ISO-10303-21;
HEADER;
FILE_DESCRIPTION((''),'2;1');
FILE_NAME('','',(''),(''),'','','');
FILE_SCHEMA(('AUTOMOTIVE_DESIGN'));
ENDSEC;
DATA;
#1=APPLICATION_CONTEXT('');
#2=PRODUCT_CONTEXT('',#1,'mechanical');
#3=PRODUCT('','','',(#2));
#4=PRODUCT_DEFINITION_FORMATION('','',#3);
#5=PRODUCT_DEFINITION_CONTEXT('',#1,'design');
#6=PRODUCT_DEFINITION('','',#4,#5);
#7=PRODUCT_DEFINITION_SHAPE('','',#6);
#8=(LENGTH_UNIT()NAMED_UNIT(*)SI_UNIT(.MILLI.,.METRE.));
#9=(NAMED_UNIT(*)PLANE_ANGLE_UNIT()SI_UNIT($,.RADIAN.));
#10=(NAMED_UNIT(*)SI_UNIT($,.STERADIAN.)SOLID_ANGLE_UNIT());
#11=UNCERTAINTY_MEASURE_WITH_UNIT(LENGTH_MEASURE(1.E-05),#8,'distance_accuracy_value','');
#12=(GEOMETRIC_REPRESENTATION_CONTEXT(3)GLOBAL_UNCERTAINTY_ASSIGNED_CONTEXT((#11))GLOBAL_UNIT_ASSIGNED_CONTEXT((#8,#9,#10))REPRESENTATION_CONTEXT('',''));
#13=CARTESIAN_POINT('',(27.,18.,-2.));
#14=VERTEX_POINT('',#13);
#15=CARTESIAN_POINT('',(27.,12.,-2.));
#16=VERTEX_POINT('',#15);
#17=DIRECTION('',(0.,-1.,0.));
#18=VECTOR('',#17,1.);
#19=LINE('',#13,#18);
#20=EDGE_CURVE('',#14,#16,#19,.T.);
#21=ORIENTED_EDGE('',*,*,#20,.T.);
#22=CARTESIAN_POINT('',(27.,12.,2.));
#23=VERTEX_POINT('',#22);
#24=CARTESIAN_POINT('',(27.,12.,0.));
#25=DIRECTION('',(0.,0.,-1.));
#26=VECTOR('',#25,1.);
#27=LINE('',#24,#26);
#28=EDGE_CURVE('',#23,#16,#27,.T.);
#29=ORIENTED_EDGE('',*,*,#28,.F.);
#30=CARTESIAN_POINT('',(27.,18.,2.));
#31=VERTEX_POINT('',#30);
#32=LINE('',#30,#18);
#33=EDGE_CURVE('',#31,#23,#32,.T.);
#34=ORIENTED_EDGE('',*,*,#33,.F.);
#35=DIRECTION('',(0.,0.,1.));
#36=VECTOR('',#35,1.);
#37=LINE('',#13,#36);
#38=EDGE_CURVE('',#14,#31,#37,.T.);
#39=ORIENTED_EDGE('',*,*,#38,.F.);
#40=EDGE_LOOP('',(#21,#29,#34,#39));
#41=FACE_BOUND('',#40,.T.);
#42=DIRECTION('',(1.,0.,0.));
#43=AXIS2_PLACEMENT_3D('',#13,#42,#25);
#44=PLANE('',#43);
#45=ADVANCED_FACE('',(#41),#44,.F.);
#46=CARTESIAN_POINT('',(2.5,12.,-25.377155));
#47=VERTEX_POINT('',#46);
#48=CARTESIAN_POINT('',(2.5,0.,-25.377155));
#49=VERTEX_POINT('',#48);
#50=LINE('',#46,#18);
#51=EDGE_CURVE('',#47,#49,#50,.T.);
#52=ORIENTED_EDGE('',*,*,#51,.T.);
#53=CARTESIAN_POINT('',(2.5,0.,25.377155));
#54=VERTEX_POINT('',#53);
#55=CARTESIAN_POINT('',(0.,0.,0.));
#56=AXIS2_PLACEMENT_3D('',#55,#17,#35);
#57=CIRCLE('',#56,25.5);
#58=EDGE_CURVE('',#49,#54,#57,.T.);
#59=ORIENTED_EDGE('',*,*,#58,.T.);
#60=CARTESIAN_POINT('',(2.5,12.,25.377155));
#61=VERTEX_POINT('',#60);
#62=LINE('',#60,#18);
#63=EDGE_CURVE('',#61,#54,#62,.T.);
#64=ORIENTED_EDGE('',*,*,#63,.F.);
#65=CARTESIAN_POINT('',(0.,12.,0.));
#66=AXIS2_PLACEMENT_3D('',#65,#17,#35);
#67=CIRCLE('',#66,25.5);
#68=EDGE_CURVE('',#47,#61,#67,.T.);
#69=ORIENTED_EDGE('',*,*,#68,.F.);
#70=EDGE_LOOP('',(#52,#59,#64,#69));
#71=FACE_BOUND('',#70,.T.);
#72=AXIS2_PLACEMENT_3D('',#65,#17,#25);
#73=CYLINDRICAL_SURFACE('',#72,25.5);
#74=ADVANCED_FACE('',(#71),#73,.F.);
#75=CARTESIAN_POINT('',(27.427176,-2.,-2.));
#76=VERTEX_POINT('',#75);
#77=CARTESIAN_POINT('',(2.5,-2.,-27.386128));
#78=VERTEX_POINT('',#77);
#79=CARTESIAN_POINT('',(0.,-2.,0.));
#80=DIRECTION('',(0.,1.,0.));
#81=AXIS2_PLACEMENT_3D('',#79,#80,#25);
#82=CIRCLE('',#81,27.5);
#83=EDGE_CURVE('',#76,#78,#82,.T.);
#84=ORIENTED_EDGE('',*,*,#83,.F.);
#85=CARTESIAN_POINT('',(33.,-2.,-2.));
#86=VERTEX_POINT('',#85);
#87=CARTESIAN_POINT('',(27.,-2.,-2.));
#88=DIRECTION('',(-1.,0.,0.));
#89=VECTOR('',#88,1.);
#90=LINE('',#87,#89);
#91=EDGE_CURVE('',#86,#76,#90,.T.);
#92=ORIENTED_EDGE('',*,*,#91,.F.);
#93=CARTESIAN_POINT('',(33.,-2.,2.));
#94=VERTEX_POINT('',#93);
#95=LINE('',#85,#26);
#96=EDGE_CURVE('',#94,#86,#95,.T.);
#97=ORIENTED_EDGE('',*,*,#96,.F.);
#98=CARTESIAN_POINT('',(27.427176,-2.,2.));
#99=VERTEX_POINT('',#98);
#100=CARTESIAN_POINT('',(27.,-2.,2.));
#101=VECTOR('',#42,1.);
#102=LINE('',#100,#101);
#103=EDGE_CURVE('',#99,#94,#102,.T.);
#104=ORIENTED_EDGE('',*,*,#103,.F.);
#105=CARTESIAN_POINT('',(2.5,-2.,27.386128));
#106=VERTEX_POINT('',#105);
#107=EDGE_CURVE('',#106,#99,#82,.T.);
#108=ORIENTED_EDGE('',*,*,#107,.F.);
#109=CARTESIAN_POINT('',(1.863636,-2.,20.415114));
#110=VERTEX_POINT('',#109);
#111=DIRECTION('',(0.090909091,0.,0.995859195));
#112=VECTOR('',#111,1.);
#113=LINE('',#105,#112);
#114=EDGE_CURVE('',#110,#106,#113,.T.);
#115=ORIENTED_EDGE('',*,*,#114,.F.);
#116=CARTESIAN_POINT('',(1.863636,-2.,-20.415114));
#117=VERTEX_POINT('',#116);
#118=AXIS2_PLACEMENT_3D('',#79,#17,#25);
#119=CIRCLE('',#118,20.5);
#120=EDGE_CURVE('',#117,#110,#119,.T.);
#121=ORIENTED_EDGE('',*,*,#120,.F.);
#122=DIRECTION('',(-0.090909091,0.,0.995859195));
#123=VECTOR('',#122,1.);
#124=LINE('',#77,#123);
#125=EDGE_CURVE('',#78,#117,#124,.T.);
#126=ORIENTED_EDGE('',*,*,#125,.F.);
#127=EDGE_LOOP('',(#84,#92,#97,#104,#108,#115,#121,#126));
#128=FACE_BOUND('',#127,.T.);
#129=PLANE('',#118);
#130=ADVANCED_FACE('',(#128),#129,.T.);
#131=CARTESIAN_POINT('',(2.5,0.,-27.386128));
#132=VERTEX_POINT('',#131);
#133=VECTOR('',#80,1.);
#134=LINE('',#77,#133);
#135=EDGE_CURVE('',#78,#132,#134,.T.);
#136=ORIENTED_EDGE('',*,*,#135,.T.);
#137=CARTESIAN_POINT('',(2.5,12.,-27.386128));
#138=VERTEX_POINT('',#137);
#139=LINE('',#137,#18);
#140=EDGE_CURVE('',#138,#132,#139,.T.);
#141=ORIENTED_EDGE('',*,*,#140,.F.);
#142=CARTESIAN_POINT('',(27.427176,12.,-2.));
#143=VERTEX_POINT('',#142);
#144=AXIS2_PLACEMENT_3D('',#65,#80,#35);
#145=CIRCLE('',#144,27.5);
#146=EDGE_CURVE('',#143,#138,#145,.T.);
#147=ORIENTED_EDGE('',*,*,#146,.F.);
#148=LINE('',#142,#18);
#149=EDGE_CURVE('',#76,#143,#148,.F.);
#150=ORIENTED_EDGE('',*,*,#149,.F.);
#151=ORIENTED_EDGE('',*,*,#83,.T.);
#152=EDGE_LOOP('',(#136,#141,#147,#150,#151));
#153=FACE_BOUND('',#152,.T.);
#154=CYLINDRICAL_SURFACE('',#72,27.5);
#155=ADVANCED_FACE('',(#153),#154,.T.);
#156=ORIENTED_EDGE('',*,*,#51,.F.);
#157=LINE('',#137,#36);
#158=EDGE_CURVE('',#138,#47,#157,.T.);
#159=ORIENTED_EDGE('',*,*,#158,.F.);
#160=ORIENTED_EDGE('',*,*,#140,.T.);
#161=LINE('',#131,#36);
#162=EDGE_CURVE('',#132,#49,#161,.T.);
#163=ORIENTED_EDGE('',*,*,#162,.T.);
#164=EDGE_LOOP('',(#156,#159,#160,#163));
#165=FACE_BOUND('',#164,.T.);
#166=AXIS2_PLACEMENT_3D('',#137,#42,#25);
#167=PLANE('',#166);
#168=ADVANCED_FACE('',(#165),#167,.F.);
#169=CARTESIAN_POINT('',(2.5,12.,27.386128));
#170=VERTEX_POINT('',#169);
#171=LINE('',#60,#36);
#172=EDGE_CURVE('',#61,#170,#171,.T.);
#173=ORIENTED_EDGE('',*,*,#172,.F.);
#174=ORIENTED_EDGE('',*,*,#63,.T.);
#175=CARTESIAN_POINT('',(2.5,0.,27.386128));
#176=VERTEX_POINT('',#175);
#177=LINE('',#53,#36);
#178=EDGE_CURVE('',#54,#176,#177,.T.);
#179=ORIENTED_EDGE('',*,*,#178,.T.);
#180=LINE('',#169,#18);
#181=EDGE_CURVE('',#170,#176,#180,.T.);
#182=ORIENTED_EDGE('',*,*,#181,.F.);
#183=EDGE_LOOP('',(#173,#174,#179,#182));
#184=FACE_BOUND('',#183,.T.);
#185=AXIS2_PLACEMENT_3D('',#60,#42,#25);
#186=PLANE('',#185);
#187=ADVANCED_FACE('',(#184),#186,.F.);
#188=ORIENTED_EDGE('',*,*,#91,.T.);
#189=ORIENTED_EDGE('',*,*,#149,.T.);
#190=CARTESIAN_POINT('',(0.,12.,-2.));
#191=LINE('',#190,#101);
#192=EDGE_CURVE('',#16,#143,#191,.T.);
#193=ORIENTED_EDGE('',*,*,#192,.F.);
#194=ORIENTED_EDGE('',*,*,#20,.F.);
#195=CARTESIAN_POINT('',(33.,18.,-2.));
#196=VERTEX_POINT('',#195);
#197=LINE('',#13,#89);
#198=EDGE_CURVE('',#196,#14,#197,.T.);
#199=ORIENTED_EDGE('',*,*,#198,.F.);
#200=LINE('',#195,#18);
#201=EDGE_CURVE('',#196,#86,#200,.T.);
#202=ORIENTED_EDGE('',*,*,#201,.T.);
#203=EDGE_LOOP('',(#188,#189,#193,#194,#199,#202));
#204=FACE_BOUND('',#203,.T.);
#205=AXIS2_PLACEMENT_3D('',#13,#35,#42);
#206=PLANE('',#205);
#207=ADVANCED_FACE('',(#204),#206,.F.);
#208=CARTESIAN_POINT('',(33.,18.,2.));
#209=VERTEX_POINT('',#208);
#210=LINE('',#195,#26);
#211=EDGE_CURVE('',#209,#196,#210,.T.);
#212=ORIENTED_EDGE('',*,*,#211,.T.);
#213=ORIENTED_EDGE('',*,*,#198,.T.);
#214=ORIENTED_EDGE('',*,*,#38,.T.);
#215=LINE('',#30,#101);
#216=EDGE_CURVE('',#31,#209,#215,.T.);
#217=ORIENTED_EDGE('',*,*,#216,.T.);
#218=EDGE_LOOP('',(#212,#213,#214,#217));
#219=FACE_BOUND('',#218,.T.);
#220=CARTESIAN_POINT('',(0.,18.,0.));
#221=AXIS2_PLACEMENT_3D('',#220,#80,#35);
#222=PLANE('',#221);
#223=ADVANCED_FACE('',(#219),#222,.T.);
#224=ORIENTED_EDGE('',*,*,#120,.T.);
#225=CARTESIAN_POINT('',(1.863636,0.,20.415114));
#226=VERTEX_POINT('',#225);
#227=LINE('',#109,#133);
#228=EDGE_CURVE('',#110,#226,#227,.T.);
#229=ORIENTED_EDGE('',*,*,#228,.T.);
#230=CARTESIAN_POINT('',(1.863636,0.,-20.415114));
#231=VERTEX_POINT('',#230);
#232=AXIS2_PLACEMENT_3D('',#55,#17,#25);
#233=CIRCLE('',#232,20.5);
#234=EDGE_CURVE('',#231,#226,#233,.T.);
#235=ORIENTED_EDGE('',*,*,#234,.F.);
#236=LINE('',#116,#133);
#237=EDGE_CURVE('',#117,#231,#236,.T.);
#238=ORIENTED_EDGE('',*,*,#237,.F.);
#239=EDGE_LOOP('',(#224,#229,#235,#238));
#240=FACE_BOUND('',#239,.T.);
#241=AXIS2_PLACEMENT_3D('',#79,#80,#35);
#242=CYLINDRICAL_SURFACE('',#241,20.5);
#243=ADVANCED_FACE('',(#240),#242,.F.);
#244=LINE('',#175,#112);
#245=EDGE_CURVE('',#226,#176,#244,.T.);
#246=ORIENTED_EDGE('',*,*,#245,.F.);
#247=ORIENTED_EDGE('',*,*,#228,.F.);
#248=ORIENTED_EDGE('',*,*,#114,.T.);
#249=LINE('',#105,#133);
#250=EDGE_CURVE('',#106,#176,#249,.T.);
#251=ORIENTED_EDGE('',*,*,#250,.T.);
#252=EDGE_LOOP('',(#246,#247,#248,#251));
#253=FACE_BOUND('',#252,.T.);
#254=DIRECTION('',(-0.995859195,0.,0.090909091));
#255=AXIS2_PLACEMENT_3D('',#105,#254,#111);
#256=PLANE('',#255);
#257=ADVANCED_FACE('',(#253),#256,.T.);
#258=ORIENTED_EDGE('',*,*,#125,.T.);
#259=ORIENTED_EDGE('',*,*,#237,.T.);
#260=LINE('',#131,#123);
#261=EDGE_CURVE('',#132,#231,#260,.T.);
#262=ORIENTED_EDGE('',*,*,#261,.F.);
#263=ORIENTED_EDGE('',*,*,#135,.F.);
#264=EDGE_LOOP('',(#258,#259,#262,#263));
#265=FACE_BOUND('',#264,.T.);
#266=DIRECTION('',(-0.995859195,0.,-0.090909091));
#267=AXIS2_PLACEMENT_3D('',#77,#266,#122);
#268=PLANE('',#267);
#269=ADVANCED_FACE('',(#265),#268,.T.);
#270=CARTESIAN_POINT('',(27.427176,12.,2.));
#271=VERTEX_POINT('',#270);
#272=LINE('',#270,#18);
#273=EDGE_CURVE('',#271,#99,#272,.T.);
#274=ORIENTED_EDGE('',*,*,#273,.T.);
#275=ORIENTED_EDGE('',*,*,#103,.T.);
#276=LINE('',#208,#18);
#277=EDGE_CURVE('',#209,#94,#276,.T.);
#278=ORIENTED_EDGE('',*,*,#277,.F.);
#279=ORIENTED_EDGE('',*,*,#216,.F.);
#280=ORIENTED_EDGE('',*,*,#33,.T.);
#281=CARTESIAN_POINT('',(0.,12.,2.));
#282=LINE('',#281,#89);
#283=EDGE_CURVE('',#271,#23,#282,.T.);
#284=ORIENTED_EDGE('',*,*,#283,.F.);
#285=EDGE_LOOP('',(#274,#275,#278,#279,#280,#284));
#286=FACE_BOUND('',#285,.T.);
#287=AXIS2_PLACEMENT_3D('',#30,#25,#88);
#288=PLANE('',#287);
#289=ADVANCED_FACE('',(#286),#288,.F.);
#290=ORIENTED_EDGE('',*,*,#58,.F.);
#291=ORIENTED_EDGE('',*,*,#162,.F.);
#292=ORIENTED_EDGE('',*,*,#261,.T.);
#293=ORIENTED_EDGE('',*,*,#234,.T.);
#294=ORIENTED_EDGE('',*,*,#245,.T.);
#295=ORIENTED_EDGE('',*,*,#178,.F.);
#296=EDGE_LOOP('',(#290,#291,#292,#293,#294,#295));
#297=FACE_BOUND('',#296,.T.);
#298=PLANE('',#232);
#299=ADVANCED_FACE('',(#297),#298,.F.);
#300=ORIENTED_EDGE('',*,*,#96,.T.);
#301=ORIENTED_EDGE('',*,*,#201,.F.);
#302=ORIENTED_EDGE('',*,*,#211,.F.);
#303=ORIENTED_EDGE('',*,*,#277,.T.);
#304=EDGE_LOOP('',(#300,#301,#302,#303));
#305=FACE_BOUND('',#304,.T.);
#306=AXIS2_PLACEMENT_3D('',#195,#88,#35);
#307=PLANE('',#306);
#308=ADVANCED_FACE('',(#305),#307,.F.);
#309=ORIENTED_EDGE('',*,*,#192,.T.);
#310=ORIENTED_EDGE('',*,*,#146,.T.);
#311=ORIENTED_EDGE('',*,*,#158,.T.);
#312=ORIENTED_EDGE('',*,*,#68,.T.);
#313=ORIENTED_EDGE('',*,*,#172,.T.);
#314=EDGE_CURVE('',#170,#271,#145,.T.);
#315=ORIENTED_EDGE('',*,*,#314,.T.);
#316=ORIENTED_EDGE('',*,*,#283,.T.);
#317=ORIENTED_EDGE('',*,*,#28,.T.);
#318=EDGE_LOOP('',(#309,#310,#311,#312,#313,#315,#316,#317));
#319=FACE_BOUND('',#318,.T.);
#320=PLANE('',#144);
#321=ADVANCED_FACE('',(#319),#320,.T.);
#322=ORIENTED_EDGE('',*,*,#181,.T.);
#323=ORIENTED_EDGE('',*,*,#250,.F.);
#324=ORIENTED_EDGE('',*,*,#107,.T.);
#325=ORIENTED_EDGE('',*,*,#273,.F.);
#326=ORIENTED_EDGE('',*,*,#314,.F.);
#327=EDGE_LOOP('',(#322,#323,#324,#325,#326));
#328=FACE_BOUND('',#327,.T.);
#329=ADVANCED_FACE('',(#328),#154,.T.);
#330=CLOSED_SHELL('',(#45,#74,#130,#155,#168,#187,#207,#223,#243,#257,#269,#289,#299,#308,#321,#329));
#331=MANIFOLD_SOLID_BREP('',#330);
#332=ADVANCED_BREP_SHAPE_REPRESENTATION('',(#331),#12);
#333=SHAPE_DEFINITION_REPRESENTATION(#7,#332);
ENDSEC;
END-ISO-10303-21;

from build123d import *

# Parameters (mm, degrees)
BOSS_EXTRUDE1_DEPTH = 12
BOSS_EXTRUDE2_START = -2
BOSS_EXTRUDE2_DEPTH = 2
SKETCH4_W           = 6
SKETCH4_H           = 4
BOSS_EXTRUDE3_DEPTH = 20


with BuildPart() as part:
    # Sketch1 → Boss-Extrude1 (new body)
    with BuildSketch(Plane(origin=(0, 0, 0), x_dir=(1, 0, 0), z_dir=(0, 1, 0))):
        with BuildLine():
            Line((2.5, 27.386127875), (2.5, 25.377155081))
            ThreePointArc((2.5, 25.377155081), (25.5, 0), (2.5, -25.377155081))
            Line((2.5, -25.377155081), (2.5, -27.386127875))
            ThreePointArc((2.5, -27.386127875), (27.5, 0), (2.5, 27.386127875))
        make_face()
    extrude(amount=BOSS_EXTRUDE1_DEPTH)

    # Sketch2 → Boss-Extrude2 (add)
    with BuildSketch(Plane(origin=(0, 0, 0), x_dir=(1, 0, 0), z_dir=(0, 1, 0)).offset(BOSS_EXTRUDE2_START)):
        with BuildLine():
            Line((2.5, 27.386127875), (1.863636364, 20.415113507))
            ThreePointArc((1.863636364, 20.415113507), (20.5, 0), (1.863636364, -20.415113507))
            Line((1.863636364, -20.415113507), (2.5, -27.386127875))
            ThreePointArc((2.5, -27.386127875), (27.5, 0), (2.5, 27.386127875))
        make_face()
    extrude(amount=BOSS_EXTRUDE2_DEPTH)

    # Sketch4 → Boss-Extrude3 (add)
    with BuildSketch(Plane(origin=(0, -2, 0), x_dir=(1, 0, 0), z_dir=(0, 1, 0))):
        with Locations((30, 0)):
            Rectangle(SKETCH4_W, SKETCH4_H)
    extrude(amount=BOSS_EXTRUDE3_DEPTH)


solid = part.part
